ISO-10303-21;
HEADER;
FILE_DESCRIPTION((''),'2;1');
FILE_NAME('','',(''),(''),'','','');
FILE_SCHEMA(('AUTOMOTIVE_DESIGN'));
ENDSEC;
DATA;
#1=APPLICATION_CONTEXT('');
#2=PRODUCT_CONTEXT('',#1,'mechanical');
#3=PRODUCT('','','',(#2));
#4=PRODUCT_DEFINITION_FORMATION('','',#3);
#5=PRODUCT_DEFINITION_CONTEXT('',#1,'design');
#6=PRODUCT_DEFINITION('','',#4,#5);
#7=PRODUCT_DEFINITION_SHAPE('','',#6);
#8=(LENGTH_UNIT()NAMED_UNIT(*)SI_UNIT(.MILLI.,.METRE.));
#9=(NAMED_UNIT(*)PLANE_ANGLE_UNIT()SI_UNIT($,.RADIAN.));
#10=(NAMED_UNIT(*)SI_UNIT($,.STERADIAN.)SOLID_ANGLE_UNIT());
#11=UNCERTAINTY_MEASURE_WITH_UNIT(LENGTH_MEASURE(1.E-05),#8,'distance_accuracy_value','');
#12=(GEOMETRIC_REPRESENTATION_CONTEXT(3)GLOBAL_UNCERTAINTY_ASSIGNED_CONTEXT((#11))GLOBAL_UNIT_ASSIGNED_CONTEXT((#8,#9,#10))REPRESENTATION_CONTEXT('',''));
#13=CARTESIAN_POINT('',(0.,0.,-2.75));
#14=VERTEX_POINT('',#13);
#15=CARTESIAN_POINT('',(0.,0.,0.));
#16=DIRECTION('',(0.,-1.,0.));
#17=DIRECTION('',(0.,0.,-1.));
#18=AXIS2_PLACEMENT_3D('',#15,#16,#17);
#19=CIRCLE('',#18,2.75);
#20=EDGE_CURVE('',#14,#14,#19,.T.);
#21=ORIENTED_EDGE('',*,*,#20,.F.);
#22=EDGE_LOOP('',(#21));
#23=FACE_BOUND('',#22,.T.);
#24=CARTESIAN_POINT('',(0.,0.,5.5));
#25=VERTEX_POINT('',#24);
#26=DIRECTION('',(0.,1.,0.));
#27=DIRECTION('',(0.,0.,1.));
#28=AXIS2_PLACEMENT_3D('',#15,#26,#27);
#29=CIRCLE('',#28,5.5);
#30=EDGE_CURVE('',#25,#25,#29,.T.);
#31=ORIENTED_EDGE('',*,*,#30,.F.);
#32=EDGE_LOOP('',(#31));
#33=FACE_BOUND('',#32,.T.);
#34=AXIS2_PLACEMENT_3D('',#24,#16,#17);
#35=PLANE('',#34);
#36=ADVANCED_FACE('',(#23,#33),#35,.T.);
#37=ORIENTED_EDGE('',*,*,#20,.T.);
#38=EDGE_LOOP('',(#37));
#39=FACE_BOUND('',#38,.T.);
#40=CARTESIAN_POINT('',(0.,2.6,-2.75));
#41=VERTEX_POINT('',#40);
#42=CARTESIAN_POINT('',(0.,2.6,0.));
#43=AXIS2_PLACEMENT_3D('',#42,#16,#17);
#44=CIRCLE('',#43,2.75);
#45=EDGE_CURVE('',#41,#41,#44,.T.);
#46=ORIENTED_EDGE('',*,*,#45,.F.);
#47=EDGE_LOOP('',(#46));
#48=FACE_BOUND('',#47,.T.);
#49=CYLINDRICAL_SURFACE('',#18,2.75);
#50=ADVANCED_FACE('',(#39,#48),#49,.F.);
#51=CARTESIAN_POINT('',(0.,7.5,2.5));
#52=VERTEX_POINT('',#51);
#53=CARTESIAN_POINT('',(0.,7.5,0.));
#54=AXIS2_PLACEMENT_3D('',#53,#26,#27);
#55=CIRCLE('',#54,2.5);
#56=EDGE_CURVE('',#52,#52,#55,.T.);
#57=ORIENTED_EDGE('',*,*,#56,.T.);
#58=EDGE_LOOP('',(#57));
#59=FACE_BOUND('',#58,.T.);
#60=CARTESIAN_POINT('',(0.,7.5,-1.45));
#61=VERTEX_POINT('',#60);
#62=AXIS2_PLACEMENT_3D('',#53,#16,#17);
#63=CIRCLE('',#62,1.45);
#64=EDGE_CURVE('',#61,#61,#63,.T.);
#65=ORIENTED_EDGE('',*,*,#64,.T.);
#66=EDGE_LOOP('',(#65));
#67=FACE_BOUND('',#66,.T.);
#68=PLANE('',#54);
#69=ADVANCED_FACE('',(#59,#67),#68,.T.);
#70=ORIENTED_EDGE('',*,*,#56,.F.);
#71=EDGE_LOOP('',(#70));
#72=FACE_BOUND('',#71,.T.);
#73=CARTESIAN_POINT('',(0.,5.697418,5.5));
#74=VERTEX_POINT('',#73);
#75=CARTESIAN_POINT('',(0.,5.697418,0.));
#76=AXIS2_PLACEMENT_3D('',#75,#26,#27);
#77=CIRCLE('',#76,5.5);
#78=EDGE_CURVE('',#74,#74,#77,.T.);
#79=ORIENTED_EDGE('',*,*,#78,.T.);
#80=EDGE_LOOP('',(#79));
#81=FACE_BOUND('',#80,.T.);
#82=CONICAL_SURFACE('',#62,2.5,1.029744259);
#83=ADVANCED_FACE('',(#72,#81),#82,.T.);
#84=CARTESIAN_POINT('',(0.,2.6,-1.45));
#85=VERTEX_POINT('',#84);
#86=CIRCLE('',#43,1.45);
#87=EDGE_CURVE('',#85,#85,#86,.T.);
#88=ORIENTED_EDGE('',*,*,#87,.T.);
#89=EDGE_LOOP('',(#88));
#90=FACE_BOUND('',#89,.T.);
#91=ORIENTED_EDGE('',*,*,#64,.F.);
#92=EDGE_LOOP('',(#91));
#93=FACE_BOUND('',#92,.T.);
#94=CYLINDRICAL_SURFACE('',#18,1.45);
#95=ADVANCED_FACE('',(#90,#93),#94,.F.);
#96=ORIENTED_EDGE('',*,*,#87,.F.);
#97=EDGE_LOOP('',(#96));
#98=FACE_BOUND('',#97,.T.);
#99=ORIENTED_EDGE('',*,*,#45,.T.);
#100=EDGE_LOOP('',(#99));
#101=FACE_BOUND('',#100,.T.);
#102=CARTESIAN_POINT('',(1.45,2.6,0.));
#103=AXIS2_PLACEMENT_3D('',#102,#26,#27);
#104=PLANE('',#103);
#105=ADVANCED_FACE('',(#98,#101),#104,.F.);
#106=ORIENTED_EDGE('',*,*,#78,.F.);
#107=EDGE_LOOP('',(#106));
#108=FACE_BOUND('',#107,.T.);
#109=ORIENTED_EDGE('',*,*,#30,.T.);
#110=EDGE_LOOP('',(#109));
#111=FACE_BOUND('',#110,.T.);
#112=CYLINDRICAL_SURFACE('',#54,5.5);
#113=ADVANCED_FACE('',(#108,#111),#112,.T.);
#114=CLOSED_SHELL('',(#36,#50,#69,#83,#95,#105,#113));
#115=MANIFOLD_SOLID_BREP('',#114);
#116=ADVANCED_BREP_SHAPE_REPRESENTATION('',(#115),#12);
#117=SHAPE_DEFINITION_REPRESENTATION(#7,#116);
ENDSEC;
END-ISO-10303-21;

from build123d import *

# Parameters (mm, degrees)
CBORE_FOR_M2_5_SHCS1_D           = 2.9
CBORE_FOR_M2_5_SHCS1_CBORE_D     = 5.5
CBORE_FOR_M2_5_SHCS1_CBORE_DEPTH = 2.6


with BuildPart() as part:
    # Sketch1 → Revolve1 (revolve)
    with BuildSketch(Plane(origin=(0, 0, 0), x_dir=(0, 0, -1), z_dir=(1, 0, 0))):
        Polygon((-5.5, 5.697418143), (-5.5, 0), (0, 0), (0, 7.5), (-2.5, 7.5), align=None)
    revolve(axis=Axis((0, 7.5, 0), (0, -1, 0)))

    # CBORE for M2.5 SHCS1 (through all)
    with Locations(Plane(origin=(0, 0, 0), x_dir=(-1, 0, 0), z_dir=(0, -1, 0))):
        with Locations((0, 0)):
            CounterBoreHole(CBORE_FOR_M2_5_SHCS1_D / 2, CBORE_FOR_M2_5_SHCS1_CBORE_D / 2, CBORE_FOR_M2_5_SHCS1_CBORE_DEPTH)


solid = part.part
